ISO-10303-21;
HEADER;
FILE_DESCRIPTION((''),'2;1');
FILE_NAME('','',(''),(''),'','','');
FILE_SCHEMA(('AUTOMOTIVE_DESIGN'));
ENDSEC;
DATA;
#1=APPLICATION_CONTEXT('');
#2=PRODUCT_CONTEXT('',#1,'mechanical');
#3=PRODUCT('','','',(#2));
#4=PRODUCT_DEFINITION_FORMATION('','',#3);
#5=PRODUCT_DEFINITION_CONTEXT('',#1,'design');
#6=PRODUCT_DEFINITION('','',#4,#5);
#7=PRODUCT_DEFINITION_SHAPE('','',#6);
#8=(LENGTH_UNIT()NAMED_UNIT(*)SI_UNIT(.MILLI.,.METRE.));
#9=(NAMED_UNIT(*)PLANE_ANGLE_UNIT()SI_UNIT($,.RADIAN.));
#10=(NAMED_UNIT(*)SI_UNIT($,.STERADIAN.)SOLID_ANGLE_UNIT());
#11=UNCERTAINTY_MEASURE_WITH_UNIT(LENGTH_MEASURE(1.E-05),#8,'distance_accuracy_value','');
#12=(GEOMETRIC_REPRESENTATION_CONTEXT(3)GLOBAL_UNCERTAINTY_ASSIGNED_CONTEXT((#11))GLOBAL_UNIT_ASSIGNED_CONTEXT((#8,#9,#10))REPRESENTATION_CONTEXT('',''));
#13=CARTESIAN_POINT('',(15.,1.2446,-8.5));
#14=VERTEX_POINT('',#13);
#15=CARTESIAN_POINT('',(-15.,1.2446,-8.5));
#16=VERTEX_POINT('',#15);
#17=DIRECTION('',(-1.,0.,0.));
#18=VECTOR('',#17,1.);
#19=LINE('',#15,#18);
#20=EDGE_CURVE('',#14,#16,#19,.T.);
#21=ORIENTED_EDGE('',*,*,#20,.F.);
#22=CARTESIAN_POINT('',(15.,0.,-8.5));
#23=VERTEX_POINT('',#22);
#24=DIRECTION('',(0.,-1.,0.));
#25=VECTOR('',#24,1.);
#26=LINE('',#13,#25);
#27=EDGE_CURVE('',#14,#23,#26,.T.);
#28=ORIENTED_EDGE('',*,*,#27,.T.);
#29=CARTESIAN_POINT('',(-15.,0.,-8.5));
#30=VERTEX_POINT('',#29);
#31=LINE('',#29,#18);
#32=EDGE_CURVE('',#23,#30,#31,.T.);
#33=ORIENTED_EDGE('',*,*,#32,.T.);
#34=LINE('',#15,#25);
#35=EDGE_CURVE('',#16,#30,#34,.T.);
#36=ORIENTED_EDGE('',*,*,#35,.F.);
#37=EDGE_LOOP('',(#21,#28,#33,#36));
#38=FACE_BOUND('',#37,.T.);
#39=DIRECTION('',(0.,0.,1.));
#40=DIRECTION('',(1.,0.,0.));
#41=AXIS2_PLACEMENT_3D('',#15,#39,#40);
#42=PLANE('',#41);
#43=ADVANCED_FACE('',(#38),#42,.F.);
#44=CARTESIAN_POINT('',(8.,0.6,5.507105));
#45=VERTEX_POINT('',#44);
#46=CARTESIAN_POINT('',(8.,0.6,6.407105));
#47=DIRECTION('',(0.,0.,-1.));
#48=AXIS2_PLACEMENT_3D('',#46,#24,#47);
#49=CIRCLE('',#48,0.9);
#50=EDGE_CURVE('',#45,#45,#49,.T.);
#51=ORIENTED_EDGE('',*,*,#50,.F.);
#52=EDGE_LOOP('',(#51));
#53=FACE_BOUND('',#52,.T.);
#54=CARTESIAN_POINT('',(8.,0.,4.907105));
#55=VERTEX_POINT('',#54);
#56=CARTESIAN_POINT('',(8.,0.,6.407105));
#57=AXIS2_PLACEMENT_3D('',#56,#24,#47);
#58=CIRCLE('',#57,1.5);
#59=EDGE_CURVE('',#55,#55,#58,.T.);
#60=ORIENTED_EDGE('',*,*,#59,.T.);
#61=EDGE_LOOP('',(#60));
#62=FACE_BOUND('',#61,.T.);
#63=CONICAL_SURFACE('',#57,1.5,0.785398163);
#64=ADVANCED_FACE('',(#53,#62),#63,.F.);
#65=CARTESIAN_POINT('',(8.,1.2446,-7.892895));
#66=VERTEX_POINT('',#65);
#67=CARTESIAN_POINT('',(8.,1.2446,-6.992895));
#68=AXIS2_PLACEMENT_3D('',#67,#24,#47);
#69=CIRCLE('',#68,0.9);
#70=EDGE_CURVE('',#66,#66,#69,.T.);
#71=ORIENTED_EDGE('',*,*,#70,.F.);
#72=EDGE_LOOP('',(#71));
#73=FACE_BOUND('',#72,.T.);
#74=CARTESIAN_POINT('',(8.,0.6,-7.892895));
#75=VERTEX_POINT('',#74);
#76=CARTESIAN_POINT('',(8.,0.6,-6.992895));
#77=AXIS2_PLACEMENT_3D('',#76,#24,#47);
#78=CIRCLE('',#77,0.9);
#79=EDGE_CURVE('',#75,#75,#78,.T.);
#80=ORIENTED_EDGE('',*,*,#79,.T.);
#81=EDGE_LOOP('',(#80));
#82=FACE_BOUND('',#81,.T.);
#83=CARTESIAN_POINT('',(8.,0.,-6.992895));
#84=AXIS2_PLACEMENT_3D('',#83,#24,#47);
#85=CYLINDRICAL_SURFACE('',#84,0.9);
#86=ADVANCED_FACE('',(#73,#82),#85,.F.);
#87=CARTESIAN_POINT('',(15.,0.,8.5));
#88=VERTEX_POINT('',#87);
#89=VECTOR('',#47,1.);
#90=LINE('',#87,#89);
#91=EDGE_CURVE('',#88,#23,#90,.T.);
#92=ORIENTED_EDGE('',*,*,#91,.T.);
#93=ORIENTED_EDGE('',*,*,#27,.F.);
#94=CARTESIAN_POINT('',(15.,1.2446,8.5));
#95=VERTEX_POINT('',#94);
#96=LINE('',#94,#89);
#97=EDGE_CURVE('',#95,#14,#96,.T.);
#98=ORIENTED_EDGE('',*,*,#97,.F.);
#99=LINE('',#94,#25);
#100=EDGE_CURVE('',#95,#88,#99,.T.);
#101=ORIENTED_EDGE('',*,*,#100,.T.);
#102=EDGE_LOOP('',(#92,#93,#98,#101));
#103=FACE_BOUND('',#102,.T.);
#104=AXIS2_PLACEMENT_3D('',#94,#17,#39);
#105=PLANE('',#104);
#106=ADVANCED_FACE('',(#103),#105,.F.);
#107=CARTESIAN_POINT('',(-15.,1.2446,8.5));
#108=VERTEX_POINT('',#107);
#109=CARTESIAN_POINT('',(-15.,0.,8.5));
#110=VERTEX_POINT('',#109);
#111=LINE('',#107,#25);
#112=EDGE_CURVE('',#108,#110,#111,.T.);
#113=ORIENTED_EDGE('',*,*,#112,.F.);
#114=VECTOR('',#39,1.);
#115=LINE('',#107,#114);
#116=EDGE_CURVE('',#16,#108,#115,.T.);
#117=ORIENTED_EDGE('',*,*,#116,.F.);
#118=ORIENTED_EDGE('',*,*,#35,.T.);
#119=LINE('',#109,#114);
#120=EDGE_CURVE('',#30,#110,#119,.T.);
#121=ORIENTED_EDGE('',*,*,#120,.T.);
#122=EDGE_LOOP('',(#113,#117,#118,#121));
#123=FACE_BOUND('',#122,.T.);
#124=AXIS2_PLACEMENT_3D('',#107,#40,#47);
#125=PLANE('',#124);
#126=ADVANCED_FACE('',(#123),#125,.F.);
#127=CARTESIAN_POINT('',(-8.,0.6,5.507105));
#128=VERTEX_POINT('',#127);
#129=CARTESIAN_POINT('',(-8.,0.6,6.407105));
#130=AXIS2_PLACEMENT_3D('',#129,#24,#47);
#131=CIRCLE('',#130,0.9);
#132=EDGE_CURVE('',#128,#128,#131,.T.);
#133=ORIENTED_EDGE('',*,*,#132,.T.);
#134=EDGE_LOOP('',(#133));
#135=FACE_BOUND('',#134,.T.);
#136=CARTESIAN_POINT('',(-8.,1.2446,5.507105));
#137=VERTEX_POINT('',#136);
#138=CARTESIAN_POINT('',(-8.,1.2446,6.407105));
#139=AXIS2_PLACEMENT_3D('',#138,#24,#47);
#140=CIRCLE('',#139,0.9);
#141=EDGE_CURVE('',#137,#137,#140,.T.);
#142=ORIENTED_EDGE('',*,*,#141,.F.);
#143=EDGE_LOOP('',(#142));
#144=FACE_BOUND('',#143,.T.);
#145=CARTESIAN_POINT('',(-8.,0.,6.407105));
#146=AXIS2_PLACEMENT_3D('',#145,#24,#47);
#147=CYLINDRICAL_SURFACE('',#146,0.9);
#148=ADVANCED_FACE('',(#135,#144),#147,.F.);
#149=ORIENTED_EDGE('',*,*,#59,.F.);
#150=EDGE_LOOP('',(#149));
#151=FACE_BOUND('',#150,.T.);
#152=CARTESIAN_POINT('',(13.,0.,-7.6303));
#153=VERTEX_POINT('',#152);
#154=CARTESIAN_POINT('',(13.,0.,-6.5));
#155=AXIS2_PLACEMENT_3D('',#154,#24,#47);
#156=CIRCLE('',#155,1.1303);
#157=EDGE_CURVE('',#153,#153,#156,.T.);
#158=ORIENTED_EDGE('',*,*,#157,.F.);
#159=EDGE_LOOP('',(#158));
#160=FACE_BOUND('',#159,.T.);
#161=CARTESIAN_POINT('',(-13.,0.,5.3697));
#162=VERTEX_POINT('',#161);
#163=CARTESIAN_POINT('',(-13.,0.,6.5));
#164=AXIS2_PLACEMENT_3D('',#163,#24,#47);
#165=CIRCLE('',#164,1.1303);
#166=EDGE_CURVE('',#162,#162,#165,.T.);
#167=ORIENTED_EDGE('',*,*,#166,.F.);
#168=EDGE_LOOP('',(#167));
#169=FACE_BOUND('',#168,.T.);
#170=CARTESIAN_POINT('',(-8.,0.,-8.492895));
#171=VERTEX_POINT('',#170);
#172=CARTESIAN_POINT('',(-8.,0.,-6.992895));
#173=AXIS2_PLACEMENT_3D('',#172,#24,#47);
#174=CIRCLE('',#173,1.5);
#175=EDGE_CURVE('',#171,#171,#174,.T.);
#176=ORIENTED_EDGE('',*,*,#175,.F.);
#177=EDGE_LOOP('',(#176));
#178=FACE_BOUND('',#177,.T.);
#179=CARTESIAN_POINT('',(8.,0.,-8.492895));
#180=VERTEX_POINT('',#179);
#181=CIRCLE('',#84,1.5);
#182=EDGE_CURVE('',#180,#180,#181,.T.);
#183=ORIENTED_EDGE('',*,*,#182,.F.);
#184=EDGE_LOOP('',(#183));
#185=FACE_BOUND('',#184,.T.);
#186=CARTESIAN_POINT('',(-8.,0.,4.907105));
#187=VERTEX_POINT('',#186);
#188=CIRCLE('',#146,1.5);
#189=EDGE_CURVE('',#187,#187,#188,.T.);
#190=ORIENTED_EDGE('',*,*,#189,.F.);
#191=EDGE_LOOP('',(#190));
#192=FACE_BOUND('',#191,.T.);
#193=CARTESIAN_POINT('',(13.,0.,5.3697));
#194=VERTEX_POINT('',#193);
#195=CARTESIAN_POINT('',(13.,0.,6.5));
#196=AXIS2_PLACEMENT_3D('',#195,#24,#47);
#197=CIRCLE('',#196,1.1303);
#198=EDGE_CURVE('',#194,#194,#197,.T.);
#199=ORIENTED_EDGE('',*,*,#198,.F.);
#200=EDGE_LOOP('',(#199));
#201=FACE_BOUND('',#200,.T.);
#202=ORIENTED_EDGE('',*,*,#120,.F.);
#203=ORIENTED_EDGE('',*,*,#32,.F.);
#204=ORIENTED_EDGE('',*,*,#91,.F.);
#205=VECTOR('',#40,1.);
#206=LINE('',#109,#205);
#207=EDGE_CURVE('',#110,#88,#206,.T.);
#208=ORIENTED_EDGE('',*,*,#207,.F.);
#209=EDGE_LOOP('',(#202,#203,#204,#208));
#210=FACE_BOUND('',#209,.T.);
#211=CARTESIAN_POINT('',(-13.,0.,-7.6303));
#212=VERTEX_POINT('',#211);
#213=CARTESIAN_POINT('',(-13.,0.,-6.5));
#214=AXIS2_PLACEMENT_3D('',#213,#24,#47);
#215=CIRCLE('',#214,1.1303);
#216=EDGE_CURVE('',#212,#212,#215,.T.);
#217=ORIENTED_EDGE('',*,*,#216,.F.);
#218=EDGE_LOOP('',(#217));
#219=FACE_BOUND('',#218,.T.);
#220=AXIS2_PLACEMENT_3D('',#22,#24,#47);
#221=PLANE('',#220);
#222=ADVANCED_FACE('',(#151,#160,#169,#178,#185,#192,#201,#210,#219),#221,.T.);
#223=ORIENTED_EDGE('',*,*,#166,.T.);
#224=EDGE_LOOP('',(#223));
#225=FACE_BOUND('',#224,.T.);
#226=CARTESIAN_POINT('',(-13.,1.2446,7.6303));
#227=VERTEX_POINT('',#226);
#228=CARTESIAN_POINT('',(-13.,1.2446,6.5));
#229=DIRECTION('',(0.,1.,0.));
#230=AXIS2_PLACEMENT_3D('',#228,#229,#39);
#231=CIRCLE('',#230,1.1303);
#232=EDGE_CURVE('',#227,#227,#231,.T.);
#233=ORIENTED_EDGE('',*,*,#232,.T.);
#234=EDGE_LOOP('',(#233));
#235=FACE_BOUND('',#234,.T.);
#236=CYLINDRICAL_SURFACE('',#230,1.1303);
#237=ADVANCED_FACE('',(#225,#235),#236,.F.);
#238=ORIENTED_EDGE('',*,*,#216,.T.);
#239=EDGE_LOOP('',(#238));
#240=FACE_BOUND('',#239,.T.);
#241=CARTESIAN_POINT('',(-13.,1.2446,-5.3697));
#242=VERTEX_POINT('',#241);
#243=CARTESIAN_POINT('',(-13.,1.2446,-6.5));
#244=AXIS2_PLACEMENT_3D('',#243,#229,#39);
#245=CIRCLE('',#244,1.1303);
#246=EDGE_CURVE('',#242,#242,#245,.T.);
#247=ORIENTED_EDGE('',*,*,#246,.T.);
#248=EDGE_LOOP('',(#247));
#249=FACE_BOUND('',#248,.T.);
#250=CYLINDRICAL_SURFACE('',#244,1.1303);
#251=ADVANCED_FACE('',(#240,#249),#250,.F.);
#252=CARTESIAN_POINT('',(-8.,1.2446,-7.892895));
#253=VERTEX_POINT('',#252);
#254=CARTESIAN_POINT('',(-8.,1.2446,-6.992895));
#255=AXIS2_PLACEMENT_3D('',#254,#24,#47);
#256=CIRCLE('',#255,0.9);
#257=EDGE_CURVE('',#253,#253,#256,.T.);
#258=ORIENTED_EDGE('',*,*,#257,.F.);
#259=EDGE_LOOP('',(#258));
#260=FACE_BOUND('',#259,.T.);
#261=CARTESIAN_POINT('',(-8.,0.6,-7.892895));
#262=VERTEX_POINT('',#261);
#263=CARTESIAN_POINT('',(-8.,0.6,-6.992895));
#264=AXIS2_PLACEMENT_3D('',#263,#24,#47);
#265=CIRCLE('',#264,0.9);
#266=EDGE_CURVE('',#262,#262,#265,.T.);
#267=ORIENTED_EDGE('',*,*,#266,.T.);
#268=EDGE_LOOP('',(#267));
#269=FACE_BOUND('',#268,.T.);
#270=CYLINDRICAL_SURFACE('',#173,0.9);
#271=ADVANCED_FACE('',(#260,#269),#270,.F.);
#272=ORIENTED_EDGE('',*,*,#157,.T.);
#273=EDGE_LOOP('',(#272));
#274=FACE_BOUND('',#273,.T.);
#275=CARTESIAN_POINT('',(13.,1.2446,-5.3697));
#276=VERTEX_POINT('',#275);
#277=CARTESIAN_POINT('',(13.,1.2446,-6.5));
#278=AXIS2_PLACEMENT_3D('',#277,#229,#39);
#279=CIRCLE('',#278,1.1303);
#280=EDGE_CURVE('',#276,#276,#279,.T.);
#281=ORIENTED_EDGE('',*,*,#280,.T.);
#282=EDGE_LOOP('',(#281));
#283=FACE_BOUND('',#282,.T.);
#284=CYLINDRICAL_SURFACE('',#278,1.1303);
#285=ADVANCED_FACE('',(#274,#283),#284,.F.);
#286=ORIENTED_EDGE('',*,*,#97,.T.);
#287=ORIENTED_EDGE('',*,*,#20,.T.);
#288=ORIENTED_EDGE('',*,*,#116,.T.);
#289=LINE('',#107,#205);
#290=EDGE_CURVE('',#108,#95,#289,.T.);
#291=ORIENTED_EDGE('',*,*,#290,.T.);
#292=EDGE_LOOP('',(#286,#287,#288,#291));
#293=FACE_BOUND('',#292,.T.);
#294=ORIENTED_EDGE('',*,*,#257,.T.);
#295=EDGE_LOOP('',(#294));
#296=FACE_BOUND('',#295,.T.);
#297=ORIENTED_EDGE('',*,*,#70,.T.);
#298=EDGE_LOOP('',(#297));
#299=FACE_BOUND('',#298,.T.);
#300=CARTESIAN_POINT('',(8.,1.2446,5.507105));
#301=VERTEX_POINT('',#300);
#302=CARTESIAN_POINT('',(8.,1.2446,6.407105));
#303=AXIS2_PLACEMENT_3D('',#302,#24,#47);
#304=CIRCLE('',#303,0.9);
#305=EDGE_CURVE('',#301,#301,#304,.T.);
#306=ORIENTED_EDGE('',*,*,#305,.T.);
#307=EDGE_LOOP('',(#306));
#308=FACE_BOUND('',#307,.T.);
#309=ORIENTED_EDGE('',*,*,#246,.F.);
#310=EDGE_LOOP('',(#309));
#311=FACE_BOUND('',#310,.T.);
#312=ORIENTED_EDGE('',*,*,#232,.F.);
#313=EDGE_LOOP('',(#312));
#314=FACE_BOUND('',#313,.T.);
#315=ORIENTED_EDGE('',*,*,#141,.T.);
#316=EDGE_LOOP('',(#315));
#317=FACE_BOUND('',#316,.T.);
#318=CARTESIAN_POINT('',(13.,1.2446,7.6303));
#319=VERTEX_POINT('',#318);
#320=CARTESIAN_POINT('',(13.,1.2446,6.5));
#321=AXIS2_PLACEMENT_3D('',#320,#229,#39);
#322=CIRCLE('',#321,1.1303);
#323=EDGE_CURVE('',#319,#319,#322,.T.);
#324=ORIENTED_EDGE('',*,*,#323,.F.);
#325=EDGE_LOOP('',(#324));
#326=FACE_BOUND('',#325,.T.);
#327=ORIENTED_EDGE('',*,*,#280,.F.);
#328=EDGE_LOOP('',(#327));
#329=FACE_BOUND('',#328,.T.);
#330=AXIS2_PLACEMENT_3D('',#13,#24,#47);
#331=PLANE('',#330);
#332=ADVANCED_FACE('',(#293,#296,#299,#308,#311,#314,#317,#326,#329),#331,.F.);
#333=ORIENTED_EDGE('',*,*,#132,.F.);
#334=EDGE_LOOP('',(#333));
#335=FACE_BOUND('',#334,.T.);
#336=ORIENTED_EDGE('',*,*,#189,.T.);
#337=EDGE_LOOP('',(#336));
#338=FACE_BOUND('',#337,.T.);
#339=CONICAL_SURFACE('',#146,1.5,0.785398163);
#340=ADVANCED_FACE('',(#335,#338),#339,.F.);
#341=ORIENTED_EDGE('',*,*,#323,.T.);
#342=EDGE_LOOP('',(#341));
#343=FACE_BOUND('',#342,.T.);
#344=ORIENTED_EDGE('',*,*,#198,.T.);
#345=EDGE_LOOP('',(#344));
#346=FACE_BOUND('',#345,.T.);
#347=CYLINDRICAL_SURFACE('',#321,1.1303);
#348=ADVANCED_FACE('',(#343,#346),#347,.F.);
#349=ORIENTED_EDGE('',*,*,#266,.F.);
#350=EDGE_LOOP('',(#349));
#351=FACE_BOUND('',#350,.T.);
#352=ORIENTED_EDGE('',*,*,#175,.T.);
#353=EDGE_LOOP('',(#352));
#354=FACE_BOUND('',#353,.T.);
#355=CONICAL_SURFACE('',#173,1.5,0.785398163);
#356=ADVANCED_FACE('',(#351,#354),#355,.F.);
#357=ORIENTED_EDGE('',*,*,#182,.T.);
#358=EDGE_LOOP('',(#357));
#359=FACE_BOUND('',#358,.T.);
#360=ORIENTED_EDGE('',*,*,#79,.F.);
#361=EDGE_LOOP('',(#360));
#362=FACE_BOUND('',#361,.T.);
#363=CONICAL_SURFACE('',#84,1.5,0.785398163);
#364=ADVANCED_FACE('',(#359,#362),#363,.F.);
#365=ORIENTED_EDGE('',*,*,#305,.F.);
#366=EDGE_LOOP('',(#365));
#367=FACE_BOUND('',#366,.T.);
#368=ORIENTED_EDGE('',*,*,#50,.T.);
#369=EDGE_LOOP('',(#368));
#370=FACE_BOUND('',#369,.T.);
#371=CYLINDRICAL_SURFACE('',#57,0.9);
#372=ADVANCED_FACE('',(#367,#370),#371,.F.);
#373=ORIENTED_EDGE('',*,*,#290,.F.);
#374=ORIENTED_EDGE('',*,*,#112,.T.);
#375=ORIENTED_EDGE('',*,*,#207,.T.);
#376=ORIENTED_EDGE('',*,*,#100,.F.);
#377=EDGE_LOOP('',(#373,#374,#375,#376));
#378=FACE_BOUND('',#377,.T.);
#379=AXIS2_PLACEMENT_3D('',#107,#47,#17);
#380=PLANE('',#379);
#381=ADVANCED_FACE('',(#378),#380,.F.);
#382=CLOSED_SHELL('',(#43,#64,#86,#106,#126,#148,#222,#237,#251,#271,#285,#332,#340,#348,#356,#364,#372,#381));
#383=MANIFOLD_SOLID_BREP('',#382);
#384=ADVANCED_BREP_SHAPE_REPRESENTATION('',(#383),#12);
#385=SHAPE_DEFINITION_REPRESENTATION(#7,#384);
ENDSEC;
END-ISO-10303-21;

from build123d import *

# Parameters (mm, degrees)
SKETCH1_W                       = 30
SKETCH1_H                       = 17
BOSS_EXTRUDE1_DEPTH             = 1.2446
M1_6_CLEARANCE_HOLE1_AT_2_COUNT = 2
M1_6_CLEARANCE_HOLE1_AT_2_PITCH = 16
M1_6_CLEARANCE_HOLE1_AT_3_COUNT = 2
M1_6_CLEARANCE_HOLE1_AT_3_PITCH = 13.4
M1_6_CLEARANCE_HOLE1_AT_4_COUNT = 2
M1_6_CLEARANCE_HOLE1_AT_4_PITCH = 20.870074269
F_2_CLEARANCE_HOLE1_D           = 2.2606
F_2_CLEARANCE_HOLE1_DEPTH       = 2.032
F_2_CLEARANCE_HOLE1_TIP         = 0.679152758


with BuildPart() as part:
    # Sketch1 → Boss-Extrude1 (new body)
    with BuildSketch(Plane(origin=(0, 0, 0), x_dir=(1, 0, 0), z_dir=(0, 1, 0))):
        Rectangle(SKETCH1_W, SKETCH1_H)
    extrude(amount=BOSS_EXTRUDE1_DEPTH)

    # Sketch4 → M1.6 Clearance Hole1 (revolve, cut)
    with BuildSketch(Plane(origin=(-8, 0, 6.407104521), x_dir=(0, 0, -1), z_dir=(1, 0, 0))):
        Polygon((0, 0), (0, 1.2446), (0.9, 1.2446), (0.9, 0.6), (1.5, 0), align=None)
    m1_6_clearance_hole1 = revolve(axis=Axis((-8, -6.35, 6.407104521), (0, 1, 0)), mode=Mode.SUBTRACT)

    # M1.6 Clearance Hole1 at 2: M1.6 Clearance Hole1 ×2
    with Locations(*[(i * M1_6_CLEARANCE_HOLE1_AT_2_PITCH, 0, 0) for i in range(1, M1_6_CLEARANCE_HOLE1_AT_2_COUNT)]):
        add(m1_6_clearance_hole1, mode=Mode.SUBTRACT)

    # M1.6 Clearance Hole1 at 3: M1.6 Clearance Hole1 ×2
    with Locations(*[(0, 0, -i * M1_6_CLEARANCE_HOLE1_AT_3_PITCH) for i in range(1, M1_6_CLEARANCE_HOLE1_AT_3_COUNT)]):
        add(m1_6_clearance_hole1, mode=Mode.SUBTRACT)

    # M1.6 Clearance Hole1 at 4: M1.6 Clearance Hole1 ×2
    with Locations(*[Vector(0.766647967, 0, -0.642067672) * (i * M1_6_CLEARANCE_HOLE1_AT_4_PITCH) for i in range(1, M1_6_CLEARANCE_HOLE1_AT_4_COUNT)]):
        add(m1_6_clearance_hole1, mode=Mode.SUBTRACT)

    # #2 Clearance Hole1
    with Locations(Plane(origin=(0, 1.2446, 0), x_dir=(-1, 0, 0), z_dir=(0, 1, 0))):
        with Locations((13, -6.5), (13, 6.5), (-13, -6.5), (-13, 6.5)):
            Hole(F_2_CLEARANCE_HOLE1_D / 2, depth=F_2_CLEARANCE_HOLE1_DEPTH)
            with Locations((0, 0, -(F_2_CLEARANCE_HOLE1_DEPTH + F_2_CLEARANCE_HOLE1_TIP / 2))):  # 118° drill point
                Cone(0, F_2_CLEARANCE_HOLE1_D / 2, F_2_CLEARANCE_HOLE1_TIP, mode=Mode.SUBTRACT)


solid = part.part
